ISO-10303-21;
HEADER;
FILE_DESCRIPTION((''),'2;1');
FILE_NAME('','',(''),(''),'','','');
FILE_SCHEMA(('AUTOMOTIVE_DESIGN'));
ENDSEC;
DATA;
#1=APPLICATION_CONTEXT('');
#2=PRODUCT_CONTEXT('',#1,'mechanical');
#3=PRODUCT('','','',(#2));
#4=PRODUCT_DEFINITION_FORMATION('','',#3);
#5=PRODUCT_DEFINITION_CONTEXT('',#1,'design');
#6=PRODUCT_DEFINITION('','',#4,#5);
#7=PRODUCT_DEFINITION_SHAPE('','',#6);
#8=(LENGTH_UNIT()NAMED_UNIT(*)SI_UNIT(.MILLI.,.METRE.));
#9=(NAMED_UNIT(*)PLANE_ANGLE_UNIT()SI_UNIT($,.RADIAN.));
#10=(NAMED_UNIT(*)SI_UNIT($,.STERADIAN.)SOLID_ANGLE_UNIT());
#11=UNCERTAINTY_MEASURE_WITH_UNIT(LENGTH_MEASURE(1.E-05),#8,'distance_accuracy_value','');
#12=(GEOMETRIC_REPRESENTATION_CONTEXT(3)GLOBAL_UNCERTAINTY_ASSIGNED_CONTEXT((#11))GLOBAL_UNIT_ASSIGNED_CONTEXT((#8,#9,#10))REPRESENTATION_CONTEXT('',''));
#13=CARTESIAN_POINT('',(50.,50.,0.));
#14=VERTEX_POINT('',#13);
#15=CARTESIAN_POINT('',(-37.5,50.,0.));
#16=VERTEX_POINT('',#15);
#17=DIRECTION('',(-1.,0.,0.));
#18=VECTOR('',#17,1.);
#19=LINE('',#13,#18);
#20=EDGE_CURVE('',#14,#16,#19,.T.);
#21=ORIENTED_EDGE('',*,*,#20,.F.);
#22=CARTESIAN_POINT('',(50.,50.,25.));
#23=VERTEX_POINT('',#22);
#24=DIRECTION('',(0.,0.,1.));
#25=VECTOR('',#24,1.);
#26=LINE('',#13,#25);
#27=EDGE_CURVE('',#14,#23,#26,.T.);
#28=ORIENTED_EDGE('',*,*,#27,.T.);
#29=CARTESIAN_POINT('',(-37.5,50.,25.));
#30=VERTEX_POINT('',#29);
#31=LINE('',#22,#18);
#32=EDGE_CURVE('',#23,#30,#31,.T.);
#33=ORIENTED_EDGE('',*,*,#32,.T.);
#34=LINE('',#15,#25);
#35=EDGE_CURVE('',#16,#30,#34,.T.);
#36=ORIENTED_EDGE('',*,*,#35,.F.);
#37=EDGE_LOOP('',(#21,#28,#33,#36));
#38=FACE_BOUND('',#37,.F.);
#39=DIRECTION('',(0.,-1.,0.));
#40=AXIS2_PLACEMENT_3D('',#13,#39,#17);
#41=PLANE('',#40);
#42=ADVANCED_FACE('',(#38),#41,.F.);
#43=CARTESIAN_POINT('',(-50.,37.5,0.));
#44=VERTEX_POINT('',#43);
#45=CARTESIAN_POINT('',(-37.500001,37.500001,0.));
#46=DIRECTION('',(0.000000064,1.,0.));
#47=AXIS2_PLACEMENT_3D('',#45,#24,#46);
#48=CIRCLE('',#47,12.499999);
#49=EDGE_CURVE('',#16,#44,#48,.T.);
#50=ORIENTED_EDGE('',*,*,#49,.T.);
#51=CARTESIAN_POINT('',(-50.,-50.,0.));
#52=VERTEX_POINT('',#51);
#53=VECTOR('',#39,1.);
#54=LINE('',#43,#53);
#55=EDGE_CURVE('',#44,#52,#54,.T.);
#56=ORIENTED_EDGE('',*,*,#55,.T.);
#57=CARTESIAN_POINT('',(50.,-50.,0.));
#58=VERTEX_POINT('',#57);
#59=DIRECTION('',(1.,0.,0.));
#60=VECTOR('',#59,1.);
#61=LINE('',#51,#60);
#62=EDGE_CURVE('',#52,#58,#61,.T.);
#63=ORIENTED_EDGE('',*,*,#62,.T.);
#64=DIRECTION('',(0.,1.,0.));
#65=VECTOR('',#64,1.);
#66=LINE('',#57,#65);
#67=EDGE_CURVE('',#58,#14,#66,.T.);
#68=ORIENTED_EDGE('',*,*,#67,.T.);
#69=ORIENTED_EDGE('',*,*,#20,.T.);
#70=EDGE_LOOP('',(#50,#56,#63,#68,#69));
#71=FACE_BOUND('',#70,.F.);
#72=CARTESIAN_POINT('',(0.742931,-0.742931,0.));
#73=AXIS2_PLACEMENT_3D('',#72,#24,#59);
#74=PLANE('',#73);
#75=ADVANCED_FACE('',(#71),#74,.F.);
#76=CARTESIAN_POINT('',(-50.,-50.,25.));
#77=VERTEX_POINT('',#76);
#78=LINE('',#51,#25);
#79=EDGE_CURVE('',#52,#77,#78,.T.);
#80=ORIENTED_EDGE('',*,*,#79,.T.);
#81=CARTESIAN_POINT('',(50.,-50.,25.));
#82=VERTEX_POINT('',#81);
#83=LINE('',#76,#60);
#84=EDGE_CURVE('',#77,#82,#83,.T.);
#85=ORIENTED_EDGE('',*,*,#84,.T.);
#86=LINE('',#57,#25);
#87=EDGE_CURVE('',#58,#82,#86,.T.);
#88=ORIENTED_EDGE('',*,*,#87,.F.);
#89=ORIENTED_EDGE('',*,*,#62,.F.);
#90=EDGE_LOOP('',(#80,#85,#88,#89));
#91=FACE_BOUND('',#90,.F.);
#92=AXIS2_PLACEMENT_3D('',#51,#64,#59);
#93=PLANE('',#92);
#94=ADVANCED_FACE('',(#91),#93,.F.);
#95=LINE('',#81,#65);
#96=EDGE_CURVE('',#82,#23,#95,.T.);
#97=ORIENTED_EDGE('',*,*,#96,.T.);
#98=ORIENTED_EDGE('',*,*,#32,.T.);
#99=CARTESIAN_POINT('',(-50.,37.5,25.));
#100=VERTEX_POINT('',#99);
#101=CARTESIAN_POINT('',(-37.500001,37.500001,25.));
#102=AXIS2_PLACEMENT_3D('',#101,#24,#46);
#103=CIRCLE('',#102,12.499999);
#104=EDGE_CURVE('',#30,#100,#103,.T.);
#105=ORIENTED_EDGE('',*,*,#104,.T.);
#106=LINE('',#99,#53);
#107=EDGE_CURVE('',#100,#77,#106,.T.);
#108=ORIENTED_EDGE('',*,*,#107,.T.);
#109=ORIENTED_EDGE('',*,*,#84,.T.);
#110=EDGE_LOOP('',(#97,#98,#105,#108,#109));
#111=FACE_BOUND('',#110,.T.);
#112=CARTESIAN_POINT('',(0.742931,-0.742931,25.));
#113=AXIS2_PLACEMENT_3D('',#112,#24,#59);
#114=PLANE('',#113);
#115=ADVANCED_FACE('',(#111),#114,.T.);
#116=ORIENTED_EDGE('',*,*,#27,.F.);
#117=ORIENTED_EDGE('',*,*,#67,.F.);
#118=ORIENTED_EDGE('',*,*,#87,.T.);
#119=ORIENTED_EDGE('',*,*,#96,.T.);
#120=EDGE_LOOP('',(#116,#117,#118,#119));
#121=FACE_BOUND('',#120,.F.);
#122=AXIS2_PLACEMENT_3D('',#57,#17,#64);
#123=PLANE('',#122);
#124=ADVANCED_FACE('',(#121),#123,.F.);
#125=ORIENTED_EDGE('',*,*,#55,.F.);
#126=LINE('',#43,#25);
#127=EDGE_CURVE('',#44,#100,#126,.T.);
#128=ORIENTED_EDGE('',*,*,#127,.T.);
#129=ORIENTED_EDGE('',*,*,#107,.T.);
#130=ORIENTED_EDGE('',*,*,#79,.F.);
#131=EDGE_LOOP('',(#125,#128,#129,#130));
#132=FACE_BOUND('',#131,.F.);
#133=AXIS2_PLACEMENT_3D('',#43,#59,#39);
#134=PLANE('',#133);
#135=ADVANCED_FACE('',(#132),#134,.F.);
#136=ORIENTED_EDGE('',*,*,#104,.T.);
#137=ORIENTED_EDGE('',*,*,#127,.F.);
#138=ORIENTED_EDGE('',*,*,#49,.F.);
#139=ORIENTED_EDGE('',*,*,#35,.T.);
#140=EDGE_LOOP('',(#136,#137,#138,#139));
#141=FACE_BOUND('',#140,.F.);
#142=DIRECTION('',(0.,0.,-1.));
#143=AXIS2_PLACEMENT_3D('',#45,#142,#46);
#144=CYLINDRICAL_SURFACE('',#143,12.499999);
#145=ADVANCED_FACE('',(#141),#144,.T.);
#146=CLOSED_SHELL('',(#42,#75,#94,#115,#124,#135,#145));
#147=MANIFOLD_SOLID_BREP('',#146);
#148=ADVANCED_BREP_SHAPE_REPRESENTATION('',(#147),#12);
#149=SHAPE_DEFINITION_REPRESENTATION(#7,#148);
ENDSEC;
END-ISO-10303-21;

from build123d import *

# Parameters (mm, degrees)
F1_DEPTH = 25


with BuildPart() as f1:
    # F0 (on Top) → F1 (new body)
    with BuildSketch(Plane.XY):
        with BuildLine():
            Line((50, 50), (-37.5, 50))
            ThreePointArc((-37.5, 50), (-46.338835, 46.338835), (-50, 37.5))
            Line((-50, 37.5), (-50, -50))
            Line((-50, -50), (50, -50))
            Line((50, -50), (50, 50))
        make_face()
    extrude(amount=F1_DEPTH)


solid = f1.part
